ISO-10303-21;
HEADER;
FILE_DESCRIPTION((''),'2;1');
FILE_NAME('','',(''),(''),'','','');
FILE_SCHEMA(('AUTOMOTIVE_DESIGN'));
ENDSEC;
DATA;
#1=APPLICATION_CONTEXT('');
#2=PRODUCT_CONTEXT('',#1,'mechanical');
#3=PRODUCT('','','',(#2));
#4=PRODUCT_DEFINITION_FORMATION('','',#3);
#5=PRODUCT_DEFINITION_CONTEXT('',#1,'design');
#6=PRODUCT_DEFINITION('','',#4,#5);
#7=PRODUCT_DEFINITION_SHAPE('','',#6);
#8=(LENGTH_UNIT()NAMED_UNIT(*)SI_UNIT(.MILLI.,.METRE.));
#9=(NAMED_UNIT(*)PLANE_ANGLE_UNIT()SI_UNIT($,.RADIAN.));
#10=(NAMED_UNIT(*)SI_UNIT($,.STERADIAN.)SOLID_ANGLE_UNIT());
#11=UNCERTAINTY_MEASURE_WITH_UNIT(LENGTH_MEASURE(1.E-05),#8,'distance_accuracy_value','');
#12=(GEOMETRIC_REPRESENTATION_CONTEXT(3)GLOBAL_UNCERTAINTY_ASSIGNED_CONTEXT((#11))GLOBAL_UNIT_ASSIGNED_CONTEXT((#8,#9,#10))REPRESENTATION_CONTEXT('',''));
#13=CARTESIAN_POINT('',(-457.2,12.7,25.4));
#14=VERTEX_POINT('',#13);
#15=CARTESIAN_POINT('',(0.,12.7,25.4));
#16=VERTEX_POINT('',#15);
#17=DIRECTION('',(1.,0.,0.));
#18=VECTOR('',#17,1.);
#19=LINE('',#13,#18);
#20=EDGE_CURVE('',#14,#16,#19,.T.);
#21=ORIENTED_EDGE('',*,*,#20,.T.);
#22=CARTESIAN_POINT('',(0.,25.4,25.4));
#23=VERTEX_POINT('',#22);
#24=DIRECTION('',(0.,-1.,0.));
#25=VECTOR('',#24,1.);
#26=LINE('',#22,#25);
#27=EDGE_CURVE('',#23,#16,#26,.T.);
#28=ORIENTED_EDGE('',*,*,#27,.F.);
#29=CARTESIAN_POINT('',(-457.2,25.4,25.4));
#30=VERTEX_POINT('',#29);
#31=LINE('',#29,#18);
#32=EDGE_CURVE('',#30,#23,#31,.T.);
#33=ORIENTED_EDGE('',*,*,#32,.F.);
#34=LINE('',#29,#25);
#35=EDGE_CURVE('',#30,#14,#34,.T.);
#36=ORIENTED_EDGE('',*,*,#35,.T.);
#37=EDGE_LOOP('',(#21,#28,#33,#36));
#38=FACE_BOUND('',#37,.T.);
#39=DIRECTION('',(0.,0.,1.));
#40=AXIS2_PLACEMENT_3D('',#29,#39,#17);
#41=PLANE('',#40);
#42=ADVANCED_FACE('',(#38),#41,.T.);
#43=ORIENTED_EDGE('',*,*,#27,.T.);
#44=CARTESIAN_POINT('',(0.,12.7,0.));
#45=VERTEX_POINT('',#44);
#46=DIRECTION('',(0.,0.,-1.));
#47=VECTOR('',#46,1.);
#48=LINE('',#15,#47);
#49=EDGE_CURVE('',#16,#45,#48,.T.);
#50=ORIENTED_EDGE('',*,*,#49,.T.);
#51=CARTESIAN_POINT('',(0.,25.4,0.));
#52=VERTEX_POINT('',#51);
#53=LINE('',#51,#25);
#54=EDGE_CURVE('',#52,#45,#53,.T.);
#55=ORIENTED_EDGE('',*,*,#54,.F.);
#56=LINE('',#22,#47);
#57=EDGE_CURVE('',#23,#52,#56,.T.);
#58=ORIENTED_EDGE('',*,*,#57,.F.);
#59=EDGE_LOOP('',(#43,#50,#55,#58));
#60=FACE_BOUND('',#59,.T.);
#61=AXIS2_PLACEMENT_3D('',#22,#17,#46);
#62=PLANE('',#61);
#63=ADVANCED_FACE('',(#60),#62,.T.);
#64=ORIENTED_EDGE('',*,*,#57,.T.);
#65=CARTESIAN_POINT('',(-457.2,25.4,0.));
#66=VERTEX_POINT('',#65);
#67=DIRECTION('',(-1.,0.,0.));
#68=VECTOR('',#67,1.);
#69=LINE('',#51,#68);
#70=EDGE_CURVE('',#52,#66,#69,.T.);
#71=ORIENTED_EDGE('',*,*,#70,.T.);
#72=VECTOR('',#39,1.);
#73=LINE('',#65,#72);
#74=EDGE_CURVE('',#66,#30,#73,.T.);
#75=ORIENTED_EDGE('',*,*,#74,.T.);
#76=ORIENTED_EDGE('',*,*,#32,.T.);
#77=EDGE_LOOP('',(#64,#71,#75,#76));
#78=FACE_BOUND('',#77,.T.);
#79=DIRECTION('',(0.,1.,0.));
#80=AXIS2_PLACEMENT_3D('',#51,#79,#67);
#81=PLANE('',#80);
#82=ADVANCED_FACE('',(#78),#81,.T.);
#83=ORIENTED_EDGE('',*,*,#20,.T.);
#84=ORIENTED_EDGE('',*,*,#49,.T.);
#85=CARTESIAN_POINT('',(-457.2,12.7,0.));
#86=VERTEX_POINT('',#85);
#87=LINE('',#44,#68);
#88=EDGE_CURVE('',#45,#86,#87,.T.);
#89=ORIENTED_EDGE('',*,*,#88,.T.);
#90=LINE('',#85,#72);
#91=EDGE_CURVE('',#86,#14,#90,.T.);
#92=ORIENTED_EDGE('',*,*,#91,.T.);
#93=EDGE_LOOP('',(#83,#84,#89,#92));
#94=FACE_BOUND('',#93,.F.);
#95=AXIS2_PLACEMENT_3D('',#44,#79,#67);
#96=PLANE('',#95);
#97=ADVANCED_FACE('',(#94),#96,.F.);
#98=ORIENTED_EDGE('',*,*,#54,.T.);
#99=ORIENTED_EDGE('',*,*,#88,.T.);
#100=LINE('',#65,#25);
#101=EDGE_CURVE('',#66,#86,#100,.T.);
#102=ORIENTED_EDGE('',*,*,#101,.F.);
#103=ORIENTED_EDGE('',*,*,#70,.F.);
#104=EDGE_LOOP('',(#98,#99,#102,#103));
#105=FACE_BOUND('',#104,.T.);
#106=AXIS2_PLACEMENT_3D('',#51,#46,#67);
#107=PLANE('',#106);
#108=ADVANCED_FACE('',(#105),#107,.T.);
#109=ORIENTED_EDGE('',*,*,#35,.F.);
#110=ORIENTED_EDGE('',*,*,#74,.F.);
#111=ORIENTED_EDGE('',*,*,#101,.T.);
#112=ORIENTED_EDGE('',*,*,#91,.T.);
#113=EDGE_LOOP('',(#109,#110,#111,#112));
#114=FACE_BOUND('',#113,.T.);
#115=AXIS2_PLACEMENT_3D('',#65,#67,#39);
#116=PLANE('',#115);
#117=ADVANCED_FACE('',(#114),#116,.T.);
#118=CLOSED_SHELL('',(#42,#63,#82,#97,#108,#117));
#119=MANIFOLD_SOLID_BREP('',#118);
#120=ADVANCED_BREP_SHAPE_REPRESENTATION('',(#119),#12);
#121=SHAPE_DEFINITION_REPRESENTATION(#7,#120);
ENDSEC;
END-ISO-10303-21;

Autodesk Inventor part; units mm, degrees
ref_plane "YZ Plane" through (0, 0, 0) normal (1, 0, 0) x (0, 1, 0)
ref_plane "XZ Plane" through (0, 0, 0) normal (0, 1, 0) x (-1, 0, 0)
ref_plane "Work Plane1" through (-455.2, 25.4, 3.7) normal (0, 1, 0) x (0, 0, 1)
sketch "Sketch1" plane through (0, 0, 0) normal (0, 1, 0) x (-1, 0, 0)
  line L0 (0, 0) -> (457.2, 0)
  line L1 (457.2, 0) -> (457.2, 25.4)
  line L2 (457.2, 25.4) -> (0, 25.4)
  line L3 (0, 25.4) -> (0, 0)
  dimension "d0" = 457.2
  dimension "d1" = 25.4
extrude "Extrusion1" add sketch "Sketch1" against normal blind 12.7 from surface at 25.4
properties part number "Stock"
